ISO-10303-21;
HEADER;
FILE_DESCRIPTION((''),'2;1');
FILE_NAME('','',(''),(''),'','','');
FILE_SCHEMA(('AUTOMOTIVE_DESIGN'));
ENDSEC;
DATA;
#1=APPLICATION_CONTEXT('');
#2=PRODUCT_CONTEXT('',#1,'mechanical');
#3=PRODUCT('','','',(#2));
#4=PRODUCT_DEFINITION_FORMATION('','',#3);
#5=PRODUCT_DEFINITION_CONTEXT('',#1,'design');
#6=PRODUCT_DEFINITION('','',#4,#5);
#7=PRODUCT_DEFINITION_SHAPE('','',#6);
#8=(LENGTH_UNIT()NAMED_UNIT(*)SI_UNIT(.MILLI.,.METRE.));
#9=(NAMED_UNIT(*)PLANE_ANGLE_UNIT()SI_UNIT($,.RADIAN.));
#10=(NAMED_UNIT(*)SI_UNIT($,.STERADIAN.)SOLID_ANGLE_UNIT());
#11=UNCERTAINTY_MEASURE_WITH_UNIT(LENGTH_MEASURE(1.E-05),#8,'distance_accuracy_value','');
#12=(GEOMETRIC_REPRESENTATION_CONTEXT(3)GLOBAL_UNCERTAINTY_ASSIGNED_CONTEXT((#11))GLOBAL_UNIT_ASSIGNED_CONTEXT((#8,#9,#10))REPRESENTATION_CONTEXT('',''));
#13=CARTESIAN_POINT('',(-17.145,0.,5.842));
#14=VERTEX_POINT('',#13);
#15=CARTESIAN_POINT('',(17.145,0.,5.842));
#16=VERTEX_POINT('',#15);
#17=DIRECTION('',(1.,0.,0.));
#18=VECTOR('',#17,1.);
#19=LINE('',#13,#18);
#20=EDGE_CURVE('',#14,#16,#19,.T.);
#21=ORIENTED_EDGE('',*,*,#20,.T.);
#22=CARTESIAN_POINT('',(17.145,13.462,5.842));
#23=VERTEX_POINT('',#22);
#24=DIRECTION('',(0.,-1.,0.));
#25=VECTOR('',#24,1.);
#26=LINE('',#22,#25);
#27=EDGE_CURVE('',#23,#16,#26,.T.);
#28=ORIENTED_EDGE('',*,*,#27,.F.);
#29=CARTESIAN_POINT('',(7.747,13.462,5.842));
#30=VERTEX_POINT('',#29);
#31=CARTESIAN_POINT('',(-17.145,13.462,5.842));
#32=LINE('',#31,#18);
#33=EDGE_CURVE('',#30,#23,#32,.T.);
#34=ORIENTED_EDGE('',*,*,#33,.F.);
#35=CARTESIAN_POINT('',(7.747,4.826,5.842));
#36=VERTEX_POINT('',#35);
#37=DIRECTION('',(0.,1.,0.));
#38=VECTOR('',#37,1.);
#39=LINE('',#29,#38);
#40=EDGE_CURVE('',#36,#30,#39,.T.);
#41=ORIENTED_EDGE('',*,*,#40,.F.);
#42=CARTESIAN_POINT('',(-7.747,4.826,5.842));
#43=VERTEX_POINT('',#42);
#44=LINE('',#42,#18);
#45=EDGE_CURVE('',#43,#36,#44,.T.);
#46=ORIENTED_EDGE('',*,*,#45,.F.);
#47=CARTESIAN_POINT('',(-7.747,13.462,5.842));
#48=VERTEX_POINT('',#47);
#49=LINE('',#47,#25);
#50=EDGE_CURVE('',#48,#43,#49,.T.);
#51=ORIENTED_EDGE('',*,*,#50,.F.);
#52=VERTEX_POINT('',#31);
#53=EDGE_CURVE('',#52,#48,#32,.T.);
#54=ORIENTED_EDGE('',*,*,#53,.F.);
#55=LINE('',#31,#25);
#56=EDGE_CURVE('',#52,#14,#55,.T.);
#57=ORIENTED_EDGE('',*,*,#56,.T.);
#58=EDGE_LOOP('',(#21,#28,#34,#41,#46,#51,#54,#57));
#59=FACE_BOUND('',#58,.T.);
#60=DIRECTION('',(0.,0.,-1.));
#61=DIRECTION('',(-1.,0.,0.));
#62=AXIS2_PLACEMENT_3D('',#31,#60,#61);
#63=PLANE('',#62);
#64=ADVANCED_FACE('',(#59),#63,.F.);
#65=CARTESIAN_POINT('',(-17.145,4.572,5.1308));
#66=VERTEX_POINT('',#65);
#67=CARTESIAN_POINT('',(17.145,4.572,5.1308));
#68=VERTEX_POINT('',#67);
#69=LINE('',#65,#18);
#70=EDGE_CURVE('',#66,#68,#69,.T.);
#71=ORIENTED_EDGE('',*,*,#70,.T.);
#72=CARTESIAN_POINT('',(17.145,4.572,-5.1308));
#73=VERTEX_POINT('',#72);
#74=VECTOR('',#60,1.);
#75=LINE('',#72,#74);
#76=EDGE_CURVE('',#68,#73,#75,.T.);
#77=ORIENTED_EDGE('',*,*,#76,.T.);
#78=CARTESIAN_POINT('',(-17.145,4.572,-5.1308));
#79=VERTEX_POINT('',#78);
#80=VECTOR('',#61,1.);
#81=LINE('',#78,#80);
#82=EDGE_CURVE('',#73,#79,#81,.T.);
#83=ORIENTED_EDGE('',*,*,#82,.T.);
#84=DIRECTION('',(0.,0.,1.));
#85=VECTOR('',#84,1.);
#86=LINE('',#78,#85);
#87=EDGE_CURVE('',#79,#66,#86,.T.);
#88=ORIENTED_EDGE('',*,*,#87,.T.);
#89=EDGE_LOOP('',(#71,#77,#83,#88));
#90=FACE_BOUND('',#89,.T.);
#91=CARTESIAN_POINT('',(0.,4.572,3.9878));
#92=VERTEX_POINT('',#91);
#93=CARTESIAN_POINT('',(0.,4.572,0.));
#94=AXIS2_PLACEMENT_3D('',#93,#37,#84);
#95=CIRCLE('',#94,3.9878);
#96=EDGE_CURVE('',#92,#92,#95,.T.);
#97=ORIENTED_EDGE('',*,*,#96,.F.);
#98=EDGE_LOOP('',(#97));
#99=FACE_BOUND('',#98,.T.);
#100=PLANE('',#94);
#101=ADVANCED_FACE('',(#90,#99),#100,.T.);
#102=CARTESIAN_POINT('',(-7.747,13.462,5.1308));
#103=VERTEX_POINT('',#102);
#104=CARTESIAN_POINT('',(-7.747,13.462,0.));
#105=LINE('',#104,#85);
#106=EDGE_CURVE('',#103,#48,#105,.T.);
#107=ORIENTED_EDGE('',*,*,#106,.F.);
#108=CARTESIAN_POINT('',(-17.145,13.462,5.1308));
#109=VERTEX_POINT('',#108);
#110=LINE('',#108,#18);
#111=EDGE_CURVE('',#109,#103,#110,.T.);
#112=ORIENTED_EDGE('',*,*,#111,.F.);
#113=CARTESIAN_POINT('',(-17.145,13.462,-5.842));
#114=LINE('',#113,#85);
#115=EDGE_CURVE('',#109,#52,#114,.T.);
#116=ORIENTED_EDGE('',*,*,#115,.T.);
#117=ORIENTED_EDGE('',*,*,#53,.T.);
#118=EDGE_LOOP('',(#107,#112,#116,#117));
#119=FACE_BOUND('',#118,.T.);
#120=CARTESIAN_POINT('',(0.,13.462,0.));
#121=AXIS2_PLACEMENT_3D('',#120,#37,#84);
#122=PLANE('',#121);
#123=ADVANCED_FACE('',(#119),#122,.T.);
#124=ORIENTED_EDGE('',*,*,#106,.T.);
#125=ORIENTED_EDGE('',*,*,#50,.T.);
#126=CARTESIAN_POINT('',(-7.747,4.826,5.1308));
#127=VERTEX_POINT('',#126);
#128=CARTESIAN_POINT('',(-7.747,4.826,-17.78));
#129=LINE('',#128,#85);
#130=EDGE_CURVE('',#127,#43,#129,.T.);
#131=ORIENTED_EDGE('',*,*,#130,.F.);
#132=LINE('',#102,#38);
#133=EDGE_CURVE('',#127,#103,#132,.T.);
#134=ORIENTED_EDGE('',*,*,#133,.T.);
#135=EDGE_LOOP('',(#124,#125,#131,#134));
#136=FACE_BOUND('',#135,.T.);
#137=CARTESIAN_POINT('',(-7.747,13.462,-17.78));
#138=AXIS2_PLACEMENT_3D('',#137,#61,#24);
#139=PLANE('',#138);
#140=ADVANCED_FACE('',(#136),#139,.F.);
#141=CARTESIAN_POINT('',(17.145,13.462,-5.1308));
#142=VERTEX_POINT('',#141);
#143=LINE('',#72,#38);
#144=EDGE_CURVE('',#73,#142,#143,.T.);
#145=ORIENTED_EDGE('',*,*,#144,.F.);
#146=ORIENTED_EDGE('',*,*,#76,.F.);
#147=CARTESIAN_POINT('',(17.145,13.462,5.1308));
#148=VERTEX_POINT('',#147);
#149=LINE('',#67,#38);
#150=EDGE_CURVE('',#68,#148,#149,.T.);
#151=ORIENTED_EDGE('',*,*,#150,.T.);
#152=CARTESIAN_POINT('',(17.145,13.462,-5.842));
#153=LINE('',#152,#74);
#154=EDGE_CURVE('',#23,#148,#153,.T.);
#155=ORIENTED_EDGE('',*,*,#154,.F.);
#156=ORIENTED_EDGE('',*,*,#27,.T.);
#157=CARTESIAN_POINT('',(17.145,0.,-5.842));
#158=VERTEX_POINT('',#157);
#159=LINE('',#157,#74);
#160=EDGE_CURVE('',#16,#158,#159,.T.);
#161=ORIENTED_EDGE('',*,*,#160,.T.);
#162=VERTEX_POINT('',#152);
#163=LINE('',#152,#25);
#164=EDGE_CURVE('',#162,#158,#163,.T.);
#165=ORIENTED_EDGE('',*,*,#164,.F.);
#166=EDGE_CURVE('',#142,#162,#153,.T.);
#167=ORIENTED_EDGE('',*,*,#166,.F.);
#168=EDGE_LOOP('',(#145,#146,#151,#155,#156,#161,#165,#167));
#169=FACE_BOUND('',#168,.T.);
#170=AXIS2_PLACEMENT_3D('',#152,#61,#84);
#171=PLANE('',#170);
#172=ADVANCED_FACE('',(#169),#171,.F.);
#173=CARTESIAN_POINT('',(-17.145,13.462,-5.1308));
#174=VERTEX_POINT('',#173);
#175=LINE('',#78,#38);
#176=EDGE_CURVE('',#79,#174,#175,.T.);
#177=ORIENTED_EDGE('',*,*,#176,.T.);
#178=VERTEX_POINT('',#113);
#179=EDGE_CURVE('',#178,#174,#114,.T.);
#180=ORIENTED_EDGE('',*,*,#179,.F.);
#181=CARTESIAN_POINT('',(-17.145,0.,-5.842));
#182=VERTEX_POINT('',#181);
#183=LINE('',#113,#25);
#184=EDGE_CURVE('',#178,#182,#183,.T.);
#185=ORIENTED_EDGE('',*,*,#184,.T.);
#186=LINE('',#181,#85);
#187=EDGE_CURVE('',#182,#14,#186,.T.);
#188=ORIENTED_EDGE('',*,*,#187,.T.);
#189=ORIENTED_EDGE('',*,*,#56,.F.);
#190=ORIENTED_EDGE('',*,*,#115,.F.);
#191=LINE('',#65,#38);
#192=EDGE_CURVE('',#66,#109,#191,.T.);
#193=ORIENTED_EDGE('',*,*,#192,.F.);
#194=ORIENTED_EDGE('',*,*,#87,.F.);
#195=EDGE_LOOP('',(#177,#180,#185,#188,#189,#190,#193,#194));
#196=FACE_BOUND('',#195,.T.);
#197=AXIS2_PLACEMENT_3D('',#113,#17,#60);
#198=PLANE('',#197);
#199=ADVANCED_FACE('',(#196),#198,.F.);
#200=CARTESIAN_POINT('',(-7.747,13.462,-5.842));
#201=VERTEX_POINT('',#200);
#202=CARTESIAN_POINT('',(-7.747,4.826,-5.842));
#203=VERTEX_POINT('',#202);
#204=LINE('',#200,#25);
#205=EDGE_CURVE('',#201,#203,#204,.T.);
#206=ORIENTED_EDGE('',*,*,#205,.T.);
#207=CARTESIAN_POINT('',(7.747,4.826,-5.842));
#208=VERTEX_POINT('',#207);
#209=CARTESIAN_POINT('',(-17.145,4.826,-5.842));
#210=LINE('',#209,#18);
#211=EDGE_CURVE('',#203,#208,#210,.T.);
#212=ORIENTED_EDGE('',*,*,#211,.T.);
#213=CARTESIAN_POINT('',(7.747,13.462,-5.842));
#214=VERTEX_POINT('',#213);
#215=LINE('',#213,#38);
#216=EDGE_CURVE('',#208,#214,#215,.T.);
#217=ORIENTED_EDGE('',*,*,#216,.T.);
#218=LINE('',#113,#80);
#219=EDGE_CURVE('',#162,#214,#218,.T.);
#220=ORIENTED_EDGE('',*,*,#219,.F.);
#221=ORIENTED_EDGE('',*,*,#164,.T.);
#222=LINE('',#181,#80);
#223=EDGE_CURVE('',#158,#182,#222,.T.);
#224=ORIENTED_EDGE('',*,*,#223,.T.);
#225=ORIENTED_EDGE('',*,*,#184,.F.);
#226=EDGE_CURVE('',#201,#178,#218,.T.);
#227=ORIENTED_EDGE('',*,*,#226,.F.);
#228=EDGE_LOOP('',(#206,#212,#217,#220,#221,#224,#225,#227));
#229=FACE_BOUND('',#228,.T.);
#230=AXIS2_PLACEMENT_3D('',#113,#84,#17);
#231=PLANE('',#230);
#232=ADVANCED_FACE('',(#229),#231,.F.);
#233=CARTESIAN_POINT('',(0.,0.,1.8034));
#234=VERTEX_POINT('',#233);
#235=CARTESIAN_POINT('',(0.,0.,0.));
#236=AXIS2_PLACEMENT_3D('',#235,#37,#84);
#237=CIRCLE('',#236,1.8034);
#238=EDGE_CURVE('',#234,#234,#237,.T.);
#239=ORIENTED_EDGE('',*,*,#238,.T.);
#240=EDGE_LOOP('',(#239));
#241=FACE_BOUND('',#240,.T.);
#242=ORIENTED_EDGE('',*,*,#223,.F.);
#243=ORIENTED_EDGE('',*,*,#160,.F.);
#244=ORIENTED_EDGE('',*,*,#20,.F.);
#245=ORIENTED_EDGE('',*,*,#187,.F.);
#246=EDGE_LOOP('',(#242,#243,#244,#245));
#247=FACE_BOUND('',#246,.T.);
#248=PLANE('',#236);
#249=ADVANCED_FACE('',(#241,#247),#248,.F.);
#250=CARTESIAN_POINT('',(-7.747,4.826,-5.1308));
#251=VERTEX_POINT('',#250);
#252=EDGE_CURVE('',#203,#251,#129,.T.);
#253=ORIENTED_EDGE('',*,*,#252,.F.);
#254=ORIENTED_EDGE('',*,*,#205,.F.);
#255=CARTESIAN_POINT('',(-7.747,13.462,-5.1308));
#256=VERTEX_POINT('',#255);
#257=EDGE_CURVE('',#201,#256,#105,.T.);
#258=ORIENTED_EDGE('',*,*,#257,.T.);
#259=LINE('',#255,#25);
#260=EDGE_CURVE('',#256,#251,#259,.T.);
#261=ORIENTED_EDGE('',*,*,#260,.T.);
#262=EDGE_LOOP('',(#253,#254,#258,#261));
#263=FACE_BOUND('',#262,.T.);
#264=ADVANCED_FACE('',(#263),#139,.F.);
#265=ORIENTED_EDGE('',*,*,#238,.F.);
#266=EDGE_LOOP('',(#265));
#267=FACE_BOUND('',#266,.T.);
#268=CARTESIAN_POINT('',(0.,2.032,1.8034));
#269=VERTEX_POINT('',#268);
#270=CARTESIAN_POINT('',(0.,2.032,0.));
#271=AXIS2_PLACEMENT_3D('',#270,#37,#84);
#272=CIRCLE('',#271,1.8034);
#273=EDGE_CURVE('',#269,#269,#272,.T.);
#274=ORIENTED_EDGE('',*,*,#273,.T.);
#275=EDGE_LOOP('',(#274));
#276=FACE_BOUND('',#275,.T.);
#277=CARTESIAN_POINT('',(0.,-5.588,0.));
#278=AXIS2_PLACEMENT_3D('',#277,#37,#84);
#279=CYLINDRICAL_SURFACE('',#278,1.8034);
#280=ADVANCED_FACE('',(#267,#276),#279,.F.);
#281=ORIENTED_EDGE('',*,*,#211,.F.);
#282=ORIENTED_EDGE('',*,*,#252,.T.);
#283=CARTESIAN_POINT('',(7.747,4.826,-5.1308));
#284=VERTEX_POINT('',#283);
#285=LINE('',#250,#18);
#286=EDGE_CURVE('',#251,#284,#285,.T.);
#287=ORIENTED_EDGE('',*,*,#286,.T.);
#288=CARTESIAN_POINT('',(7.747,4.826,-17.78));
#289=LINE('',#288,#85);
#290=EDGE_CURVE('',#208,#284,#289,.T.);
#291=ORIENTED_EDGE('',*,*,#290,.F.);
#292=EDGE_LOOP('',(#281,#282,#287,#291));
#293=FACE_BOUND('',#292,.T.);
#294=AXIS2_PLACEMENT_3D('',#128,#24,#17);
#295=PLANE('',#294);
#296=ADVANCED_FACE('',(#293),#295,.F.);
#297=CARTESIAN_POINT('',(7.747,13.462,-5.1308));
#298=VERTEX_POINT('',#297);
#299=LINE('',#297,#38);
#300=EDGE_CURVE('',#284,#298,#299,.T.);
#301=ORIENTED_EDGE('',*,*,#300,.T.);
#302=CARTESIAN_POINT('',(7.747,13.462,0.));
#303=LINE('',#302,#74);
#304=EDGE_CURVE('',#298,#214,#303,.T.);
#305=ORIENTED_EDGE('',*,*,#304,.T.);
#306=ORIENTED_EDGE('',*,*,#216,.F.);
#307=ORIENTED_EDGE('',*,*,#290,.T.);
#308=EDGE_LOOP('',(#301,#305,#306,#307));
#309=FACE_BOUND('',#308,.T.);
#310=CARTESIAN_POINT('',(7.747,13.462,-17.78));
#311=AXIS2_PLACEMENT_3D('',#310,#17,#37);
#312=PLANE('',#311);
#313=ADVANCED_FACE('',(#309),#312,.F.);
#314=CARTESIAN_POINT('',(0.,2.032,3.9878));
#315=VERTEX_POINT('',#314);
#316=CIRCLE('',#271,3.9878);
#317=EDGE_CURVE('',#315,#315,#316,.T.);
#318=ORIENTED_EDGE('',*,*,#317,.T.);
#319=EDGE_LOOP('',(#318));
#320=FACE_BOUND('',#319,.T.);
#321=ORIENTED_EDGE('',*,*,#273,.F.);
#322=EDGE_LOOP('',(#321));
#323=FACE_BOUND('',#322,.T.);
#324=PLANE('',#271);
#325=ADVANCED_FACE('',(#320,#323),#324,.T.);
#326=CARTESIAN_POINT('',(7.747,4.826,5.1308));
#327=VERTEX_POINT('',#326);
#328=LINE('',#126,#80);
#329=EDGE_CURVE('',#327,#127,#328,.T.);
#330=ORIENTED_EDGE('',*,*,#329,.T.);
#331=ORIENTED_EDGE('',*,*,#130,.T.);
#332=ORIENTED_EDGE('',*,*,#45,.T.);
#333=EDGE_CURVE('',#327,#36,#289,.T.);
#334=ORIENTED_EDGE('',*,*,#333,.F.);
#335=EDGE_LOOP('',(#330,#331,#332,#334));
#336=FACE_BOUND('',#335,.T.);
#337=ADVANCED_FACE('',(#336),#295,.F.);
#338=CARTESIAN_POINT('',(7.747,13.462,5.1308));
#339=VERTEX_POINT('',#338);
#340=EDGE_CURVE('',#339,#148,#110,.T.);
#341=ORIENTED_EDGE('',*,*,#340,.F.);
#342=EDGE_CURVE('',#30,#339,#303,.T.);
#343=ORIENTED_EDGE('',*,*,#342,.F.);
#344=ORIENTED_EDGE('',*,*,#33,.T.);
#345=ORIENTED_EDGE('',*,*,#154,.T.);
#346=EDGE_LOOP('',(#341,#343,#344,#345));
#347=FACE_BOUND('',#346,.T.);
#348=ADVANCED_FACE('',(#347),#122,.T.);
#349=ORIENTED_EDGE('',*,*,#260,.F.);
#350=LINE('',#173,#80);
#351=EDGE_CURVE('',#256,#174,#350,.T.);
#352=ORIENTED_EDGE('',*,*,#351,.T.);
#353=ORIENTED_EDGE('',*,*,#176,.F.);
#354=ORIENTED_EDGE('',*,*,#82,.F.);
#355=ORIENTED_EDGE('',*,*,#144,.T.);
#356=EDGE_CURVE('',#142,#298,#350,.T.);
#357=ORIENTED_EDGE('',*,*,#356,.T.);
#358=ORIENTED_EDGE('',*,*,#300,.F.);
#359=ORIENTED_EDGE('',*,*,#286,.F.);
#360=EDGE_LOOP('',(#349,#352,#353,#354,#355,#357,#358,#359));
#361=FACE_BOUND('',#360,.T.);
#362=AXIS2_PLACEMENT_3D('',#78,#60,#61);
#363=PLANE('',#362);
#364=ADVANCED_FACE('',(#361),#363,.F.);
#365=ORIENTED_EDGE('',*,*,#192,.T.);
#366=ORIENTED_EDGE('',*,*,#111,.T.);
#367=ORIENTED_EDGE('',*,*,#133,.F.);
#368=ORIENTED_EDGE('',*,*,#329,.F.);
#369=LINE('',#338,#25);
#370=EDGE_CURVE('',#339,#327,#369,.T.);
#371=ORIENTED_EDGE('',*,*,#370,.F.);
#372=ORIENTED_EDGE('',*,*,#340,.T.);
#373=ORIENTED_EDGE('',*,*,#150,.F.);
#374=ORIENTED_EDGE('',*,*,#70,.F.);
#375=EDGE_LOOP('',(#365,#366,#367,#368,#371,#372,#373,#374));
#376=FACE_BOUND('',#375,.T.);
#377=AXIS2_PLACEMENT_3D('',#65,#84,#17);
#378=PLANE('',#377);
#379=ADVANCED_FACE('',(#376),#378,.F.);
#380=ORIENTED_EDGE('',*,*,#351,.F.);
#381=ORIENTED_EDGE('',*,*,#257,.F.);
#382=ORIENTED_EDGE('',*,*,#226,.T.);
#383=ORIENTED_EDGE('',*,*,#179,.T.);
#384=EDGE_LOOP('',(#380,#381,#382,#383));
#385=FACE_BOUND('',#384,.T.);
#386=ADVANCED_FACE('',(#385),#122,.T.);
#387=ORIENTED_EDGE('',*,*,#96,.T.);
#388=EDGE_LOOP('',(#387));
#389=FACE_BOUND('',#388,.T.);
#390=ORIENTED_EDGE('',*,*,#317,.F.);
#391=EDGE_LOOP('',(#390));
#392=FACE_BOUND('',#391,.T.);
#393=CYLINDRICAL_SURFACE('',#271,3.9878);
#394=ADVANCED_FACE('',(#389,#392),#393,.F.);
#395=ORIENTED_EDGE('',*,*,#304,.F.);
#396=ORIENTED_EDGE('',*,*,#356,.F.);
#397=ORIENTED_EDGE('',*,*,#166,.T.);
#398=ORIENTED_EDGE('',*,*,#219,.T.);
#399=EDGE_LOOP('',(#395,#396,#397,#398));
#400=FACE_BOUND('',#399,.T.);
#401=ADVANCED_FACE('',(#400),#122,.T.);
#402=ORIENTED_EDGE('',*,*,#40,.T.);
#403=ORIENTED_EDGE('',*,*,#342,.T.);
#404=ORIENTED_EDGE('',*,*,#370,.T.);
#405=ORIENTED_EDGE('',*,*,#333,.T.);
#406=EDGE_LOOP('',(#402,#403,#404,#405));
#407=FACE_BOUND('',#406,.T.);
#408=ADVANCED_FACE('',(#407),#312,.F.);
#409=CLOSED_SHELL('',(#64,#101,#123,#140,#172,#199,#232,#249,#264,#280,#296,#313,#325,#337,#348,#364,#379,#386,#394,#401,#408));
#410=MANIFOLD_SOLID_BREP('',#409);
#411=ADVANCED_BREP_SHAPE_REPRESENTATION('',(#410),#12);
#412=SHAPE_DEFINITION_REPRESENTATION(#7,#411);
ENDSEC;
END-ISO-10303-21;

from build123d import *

# Parameters (mm, degrees)
SKETCH1_W           = 34.29
SKETCH1_H           = 11.684
BOSS_EXTRUDE1_DEPTH = 13.462
SKETCH3_W           = 15.494
SKETCH3_H           = 8.636
CUT_EXTRUDE1_DEPTH  = 23.622
SKETCH4_W           = 34.29
SKETCH4_H           = 10.2616
CUT_EXTRUDE2_DEPTH  = 8.89
SKETCH5_R           = 3.9878
CUT_EXTRUDE3_DEPTH  = 2.54
SKETCH6_R           = 1.8034
CUT_EXTRUDE4_DEPTH  = 7.62


with BuildPart() as part:
    # Sketch1 → Boss-Extrude1 (new body)
    with BuildSketch(Plane(origin=(0, 0, 0), x_dir=(1, 0, 0), z_dir=(0, 1, 0))):
        Rectangle(SKETCH1_W, SKETCH1_H)
    extrude(amount=BOSS_EXTRUDE1_DEPTH)

    # Sketch3 → Cut-Extrude1 (cut)
    with BuildSketch(Plane.XY.offset(5.842)):
        with Locations((0, 9.144)):
            Rectangle(SKETCH3_W, SKETCH3_H)
    extrude(amount=-CUT_EXTRUDE1_DEPTH, mode=Mode.SUBTRACT)

    # Sketch4 → Cut-Extrude2 (cut)
    with BuildSketch(Plane(origin=(0, 13.462, 0), x_dir=(1, 0, 0), z_dir=(0, 1, 0))):
        Rectangle(SKETCH4_W, SKETCH4_H)
    extrude(amount=-CUT_EXTRUDE2_DEPTH, mode=Mode.SUBTRACT)

    # Sketch5 → Cut-Extrude3 (cut)
    with BuildSketch(Plane(origin=(0, 4.572, 0), x_dir=(1, 0, 0), z_dir=(0, 1, 0))):
        with Locations(Location((0, 0, 0), (0, 0, 270))):
            Circle(SKETCH5_R)
    extrude(amount=-CUT_EXTRUDE3_DEPTH, mode=Mode.SUBTRACT)

    # Sketch6 → Cut-Extrude4 (cut)
    with BuildSketch(Plane(origin=(0, 2.032, 0), x_dir=(1, 0, 0), z_dir=(0, 1, 0))):
        with Locations(Location((0, 0, 0), (0, 0, 270))):
            Circle(SKETCH6_R)
    extrude(amount=-CUT_EXTRUDE4_DEPTH, mode=Mode.SUBTRACT)


solid = part.part
